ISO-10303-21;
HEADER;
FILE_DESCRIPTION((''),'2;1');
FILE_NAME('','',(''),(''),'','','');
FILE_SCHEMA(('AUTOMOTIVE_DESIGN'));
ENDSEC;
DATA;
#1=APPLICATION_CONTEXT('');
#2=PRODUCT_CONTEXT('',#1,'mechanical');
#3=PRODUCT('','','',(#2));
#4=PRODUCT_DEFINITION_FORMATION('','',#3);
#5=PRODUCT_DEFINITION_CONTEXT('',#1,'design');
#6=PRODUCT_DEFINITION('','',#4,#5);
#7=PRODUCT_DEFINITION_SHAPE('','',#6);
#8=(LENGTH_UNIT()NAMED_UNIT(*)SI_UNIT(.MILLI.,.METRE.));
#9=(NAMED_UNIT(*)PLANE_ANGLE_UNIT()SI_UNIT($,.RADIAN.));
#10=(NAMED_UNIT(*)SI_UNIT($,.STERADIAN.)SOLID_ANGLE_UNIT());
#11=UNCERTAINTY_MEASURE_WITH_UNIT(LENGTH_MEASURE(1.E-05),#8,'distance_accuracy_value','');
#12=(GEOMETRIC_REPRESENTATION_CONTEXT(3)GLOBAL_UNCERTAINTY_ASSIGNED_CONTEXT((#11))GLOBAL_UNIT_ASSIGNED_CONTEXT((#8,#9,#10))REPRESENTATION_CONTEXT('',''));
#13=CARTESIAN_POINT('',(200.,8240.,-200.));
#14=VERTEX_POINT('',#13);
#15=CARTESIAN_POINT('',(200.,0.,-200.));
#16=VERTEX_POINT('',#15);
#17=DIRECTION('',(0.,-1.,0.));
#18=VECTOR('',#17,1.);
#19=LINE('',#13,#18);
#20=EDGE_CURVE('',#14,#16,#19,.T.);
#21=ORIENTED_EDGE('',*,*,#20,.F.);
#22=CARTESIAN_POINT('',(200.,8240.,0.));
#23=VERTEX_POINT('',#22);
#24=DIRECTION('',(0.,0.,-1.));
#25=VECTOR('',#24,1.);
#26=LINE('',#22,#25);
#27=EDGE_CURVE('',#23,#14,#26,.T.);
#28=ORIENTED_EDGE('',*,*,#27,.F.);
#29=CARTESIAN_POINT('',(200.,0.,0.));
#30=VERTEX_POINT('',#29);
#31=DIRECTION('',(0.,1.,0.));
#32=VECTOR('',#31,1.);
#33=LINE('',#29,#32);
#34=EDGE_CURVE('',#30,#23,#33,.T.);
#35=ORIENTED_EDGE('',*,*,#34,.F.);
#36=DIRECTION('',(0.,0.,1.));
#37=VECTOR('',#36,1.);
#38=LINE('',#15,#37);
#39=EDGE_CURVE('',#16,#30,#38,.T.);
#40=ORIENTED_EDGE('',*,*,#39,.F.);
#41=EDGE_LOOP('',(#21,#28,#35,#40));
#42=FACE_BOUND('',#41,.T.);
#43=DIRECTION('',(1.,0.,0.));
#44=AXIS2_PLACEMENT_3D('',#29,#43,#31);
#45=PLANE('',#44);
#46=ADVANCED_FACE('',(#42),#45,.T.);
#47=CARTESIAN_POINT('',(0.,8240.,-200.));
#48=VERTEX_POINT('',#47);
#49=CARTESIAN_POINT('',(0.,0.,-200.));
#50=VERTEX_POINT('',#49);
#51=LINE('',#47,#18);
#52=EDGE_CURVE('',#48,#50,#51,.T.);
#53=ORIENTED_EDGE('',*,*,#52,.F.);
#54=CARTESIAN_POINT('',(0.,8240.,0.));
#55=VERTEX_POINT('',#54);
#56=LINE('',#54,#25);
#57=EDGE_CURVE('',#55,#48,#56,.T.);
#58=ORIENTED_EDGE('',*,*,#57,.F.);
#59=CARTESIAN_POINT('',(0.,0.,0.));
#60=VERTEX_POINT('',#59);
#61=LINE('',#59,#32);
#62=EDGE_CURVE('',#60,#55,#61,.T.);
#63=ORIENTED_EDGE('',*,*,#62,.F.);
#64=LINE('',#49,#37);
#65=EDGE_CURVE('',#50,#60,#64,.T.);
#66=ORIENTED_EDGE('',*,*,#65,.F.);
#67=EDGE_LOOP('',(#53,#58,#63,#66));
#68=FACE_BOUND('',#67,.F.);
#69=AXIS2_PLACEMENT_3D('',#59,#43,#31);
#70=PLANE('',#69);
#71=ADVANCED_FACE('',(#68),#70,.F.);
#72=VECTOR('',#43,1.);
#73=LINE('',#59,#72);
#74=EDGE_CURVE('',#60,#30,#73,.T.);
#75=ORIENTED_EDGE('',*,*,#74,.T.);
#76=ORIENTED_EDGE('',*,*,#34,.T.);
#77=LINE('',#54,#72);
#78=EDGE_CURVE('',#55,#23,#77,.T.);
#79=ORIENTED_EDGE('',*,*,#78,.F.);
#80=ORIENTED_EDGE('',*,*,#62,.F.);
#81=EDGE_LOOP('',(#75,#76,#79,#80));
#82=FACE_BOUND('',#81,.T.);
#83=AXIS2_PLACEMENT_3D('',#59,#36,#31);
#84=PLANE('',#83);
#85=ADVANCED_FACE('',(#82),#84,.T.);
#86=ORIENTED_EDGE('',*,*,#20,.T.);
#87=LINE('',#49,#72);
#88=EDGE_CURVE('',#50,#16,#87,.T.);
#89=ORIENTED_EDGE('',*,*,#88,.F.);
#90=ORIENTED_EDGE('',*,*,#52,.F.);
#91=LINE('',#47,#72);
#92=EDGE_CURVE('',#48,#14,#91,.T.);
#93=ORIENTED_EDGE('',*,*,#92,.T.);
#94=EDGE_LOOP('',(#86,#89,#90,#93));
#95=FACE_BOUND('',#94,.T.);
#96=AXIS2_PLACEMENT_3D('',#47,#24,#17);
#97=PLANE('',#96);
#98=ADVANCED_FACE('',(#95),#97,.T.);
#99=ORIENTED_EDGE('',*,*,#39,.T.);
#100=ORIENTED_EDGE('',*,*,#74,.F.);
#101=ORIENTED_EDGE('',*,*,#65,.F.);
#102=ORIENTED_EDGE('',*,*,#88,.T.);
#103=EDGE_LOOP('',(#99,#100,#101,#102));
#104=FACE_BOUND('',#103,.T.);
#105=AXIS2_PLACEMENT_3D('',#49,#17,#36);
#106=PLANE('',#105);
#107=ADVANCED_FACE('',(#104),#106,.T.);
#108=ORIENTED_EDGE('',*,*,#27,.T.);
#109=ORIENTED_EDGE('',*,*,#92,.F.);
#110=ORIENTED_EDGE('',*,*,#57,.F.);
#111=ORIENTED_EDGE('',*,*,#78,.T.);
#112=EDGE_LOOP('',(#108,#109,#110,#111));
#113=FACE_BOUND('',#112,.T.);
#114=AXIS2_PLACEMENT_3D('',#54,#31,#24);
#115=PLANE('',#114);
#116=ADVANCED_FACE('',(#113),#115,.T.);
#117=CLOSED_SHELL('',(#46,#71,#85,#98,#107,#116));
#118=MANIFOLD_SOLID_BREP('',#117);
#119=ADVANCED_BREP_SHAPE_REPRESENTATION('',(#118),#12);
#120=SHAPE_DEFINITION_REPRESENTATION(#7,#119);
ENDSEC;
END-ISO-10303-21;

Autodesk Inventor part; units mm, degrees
ref_plane "YZ Plane" through (0, 0, 0) normal (1, 0, 0) x (0, 1, 0)
ref_plane "XZ Plane" through (0, 0, 0) normal (0, 1, 0) x (-1, 0, 0)
ref_plane "XY Plane" through (0, 0, 0) normal (0, 0, 1) x (1, 0, 0)
sketch "Sketch1" plane through (0, 0, 0) normal (1, 0, 0) x (0, 1, 0)
  line L0 (0, 0) -> (8240, 0)
  line L1 (8240, 0) -> (8240, -200)
  line L2 (8240, -200) -> (0, -200)
  line L3 (0, -200) -> (0, 0)
  dimension "d0" = 8240
  dimension "d1" = 200
extrude "Extrusion1" add sketch "Sketch1" along normal blind 200
properties part number "Long post for truss" material "Stainless Steel"
